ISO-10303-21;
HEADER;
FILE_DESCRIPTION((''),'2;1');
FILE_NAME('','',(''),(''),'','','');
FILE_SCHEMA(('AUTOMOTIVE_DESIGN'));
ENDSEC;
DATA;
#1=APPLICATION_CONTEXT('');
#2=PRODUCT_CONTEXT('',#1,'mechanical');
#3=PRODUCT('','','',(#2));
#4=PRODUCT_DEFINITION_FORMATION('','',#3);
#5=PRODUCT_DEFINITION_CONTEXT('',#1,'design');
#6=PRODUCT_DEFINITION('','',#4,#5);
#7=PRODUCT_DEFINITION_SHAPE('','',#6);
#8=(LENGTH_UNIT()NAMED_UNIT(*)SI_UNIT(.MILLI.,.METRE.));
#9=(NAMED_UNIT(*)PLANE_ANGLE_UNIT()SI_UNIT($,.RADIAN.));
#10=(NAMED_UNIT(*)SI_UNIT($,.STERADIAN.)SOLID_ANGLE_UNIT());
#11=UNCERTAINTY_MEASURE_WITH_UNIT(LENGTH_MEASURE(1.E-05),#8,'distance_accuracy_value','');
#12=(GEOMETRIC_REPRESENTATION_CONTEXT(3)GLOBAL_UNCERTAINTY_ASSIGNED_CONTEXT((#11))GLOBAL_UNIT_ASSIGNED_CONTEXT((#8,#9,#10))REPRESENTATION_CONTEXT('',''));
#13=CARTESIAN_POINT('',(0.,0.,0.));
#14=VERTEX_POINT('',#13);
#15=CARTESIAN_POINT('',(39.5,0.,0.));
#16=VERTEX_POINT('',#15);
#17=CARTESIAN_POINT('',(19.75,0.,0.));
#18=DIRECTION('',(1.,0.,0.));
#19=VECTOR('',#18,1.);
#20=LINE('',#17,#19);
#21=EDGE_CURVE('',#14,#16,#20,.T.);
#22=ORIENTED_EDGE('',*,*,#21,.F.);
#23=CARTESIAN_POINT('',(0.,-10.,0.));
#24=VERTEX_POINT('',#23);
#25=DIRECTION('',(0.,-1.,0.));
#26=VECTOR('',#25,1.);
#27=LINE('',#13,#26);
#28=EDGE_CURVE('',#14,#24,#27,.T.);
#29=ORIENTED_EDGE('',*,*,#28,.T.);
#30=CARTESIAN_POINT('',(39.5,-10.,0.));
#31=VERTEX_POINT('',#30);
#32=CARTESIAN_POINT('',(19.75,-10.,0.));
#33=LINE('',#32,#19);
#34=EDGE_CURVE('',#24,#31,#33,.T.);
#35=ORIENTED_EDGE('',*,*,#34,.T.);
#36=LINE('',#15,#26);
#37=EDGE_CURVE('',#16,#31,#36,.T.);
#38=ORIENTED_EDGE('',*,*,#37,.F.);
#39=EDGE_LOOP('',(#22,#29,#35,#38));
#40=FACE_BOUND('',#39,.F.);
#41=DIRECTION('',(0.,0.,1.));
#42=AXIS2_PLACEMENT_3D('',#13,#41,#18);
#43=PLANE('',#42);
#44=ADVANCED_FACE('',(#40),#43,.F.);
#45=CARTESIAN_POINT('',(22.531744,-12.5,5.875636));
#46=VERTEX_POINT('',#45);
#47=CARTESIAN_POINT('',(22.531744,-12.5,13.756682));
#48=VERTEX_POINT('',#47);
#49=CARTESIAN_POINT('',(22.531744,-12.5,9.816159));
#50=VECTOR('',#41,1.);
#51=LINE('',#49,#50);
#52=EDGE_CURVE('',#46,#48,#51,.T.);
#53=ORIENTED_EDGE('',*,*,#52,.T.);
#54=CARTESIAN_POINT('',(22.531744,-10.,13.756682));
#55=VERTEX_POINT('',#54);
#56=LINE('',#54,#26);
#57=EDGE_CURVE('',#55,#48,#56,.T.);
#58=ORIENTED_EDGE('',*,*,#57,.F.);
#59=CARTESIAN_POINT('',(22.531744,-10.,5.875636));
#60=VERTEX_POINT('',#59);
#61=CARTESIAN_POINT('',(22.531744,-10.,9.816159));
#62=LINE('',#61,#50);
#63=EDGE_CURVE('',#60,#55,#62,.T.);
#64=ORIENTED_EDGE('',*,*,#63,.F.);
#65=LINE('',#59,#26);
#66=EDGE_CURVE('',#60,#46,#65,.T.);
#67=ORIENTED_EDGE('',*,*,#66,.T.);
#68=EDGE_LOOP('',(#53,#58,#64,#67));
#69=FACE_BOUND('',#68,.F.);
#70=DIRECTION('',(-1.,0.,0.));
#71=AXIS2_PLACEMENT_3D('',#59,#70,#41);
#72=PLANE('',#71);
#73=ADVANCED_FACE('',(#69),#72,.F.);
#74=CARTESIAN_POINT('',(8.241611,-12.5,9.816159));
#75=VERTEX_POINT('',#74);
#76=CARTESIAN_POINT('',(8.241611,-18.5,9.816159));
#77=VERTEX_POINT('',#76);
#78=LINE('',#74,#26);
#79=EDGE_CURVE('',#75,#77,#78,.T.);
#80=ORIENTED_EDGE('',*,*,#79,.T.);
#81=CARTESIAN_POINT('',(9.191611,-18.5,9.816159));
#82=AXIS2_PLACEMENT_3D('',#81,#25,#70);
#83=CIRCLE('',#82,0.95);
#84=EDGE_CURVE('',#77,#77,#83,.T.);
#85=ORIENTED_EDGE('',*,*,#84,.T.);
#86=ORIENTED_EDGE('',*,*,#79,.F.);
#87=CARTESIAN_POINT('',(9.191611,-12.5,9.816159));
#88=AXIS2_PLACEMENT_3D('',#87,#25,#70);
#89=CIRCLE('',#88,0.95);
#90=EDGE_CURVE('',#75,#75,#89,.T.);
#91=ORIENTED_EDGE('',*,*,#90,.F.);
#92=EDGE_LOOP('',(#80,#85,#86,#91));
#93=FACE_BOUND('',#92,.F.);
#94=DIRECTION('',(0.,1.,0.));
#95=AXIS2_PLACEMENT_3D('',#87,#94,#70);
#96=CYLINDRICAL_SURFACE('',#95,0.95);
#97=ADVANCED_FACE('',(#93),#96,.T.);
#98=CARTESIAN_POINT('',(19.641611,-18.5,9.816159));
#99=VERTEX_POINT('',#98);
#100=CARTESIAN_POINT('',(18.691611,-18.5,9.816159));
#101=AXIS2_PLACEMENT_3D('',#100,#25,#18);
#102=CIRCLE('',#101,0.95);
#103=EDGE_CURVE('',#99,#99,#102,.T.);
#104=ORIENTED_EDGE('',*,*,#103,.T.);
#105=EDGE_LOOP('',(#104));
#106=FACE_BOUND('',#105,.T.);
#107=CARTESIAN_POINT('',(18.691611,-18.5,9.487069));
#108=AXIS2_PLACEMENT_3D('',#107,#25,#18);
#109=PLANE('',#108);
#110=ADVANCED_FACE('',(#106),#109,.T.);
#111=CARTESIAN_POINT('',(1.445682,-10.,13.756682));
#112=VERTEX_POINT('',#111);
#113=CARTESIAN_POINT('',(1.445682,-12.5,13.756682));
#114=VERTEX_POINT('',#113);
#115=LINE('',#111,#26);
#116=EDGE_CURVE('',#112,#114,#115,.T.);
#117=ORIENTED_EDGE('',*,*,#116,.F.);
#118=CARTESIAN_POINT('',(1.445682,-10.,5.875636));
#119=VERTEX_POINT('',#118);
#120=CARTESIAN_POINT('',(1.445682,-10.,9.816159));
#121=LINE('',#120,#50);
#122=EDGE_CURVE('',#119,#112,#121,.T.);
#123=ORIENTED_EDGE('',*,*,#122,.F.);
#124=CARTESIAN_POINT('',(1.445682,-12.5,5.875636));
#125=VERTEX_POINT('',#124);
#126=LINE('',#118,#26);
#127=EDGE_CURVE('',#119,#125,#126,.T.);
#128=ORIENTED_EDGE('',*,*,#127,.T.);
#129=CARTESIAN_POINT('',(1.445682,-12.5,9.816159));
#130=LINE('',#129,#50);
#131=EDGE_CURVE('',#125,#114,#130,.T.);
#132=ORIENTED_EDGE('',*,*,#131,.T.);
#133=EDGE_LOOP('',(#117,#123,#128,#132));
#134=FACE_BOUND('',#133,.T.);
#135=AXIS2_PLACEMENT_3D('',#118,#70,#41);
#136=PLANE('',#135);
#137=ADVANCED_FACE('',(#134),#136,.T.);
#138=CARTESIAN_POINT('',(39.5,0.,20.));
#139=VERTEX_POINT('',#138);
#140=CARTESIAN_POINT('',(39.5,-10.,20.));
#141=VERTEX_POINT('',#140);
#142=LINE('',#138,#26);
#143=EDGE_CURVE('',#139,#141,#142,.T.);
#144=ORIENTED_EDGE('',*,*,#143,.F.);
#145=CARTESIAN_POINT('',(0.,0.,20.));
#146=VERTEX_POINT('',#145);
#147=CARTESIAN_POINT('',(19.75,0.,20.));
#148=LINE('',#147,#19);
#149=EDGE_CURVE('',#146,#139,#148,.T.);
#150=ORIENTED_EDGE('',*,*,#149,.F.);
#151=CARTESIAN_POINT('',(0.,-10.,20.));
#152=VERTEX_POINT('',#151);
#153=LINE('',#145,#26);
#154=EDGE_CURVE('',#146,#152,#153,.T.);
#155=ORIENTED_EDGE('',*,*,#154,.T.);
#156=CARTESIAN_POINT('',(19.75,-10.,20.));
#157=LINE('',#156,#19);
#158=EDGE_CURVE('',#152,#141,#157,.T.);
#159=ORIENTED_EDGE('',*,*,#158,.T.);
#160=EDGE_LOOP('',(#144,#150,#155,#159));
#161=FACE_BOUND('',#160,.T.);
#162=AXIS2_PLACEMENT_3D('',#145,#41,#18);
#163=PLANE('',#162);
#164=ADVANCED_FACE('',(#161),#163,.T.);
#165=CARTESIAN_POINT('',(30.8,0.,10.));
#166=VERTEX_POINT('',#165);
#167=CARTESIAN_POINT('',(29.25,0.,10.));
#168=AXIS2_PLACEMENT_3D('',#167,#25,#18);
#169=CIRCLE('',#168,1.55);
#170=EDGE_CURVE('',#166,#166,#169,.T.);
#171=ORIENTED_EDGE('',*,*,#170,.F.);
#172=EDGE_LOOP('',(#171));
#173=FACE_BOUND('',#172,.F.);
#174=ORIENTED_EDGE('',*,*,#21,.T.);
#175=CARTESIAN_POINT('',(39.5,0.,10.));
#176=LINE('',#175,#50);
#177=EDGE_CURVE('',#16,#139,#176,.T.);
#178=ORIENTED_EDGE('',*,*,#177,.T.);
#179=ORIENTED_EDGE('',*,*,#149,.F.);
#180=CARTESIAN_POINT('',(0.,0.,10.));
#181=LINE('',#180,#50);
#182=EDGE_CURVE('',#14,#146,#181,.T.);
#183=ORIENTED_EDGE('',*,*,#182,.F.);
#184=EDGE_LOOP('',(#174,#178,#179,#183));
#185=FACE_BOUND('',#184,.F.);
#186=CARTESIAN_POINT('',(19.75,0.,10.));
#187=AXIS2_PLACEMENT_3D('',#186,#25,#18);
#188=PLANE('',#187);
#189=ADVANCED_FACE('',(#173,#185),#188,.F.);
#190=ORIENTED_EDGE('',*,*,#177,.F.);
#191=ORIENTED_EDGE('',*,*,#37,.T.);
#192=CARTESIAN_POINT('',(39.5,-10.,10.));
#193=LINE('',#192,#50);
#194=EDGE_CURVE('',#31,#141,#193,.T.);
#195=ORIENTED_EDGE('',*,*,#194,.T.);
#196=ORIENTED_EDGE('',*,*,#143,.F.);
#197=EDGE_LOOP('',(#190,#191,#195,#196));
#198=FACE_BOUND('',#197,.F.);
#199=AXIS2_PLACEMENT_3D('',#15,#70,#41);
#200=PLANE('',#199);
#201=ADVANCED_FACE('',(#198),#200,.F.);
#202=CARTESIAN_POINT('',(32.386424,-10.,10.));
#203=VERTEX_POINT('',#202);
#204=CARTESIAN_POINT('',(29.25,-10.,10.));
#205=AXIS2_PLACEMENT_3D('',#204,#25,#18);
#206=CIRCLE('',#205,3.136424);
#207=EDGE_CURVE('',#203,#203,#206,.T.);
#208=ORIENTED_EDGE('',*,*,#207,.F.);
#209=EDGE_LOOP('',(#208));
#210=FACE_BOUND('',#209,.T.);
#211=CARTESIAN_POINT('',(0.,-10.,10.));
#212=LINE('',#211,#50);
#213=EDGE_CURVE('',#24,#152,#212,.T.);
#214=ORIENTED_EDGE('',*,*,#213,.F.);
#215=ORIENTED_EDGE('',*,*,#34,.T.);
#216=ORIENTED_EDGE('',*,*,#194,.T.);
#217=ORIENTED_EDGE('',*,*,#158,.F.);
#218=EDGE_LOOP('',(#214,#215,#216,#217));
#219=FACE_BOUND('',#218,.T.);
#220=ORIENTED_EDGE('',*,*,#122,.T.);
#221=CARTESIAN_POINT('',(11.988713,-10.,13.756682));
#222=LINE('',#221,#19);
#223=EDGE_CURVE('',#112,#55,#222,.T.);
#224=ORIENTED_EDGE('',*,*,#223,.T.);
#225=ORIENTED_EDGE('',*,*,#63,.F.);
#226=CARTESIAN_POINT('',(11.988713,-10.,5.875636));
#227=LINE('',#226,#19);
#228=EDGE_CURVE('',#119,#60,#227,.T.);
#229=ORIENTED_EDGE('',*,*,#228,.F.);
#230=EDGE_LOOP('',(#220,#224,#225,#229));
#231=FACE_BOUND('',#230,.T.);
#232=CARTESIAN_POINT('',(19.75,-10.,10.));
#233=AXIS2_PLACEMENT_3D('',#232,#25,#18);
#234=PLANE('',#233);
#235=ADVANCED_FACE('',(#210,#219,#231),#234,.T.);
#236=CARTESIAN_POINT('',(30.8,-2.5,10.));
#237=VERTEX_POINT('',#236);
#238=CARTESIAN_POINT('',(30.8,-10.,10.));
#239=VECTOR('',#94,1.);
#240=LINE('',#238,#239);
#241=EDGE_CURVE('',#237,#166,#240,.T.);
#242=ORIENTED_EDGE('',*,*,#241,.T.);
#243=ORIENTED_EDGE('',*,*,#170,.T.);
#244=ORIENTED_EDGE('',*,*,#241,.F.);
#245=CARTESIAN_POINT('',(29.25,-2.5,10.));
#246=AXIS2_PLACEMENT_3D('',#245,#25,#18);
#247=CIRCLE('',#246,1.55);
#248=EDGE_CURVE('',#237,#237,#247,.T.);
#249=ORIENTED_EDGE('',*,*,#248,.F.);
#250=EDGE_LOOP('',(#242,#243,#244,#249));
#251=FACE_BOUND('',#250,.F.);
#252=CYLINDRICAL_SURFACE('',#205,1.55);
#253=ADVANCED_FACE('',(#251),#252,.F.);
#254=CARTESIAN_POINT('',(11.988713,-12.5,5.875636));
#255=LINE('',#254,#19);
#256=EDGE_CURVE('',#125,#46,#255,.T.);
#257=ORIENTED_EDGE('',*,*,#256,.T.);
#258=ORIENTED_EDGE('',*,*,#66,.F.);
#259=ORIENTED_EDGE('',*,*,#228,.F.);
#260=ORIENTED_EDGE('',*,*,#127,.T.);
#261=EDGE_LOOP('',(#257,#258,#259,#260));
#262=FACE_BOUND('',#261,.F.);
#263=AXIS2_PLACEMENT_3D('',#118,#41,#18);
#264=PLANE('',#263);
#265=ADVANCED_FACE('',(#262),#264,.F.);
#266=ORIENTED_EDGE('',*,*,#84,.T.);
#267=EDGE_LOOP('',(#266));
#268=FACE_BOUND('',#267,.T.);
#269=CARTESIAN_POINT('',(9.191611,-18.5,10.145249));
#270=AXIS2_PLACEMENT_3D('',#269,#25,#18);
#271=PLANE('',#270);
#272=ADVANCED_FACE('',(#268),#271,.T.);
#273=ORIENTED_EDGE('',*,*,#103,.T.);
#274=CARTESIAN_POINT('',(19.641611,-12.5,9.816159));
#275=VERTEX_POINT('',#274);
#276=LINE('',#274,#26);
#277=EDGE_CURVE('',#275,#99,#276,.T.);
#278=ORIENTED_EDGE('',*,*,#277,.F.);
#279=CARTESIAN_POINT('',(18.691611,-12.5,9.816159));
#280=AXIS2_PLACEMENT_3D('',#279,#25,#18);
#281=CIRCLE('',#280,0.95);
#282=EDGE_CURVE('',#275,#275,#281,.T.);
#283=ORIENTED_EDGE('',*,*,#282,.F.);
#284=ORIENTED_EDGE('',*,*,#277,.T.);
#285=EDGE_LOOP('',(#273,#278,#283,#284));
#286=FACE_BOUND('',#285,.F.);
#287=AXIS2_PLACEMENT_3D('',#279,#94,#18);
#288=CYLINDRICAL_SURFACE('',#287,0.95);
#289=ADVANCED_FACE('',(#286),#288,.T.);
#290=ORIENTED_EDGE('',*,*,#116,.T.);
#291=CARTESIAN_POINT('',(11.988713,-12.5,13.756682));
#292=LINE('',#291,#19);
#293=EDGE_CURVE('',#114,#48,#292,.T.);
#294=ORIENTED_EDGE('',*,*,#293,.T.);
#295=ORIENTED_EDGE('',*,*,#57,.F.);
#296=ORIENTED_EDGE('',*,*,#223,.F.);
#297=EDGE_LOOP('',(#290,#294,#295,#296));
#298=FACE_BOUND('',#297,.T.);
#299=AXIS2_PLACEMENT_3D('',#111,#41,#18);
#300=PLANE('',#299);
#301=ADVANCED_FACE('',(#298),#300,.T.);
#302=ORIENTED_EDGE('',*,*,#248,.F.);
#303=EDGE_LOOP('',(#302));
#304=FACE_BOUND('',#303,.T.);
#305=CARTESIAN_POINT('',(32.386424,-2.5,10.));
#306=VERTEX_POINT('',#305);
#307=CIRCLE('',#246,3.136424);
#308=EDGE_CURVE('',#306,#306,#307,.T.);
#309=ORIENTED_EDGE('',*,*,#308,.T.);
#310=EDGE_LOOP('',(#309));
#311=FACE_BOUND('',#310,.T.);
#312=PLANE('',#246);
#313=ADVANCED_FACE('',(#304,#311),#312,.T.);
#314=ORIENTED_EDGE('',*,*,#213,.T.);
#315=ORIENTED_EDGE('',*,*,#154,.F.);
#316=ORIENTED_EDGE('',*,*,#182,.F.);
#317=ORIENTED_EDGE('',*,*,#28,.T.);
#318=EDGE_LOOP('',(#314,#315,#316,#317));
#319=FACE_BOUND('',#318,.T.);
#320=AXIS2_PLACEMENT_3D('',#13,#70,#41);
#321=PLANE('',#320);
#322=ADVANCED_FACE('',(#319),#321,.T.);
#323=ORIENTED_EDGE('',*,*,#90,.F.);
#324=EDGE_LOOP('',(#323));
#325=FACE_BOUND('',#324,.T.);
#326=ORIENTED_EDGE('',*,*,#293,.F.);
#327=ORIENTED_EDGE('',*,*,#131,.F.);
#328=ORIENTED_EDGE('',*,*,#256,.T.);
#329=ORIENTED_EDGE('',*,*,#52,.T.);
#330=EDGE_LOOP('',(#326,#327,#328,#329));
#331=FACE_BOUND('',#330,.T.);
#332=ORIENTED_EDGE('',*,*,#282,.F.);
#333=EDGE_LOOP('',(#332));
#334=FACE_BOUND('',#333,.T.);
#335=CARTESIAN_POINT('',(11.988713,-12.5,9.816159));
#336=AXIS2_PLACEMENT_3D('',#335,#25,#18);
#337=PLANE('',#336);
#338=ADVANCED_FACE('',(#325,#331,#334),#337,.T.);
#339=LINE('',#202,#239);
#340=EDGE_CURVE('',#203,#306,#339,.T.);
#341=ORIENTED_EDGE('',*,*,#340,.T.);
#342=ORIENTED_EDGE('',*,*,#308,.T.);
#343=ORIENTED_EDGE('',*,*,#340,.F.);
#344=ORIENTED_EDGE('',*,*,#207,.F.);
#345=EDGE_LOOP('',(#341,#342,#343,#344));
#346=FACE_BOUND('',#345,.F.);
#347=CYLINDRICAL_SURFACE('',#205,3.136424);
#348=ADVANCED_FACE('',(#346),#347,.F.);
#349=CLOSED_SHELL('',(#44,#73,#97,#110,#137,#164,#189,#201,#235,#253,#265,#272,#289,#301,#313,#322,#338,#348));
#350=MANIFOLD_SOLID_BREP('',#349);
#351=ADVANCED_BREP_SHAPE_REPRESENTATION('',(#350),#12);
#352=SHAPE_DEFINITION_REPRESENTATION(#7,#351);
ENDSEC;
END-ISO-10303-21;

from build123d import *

# Parameters (mm, degrees)
F0_W     = 39.5
F0_H     = 20
F1_DEPTH = 10
F2_R     = 1.55
F3_DEPTH = 25
F4_W     = 21.086062
F4_H     = 7.881046
F5_DEPTH = 2.5
F7_DEPTH = 6
F8_R     = 3.136424
F9_DEPTH = 7.5


with BuildPart() as f1:
    # F0 (on Front) → F1 (new body)
    with BuildSketch(Plane.XZ):
        with Locations((19.75, 10)):
            Rectangle(F0_W, F0_H)
    extrude(amount=F1_DEPTH)

    # F2 (on face) → F3 (cut)
    with BuildSketch(Plane.XZ.offset(10)):
        with Locations((29.25, 10)):
            Circle(F2_R)
    extrude(amount=-F3_DEPTH, mode=Mode.SUBTRACT)

    # F4 (on face) → F5 (join)
    with BuildSketch(Plane.XZ.offset(10)):
        with Locations((11.988713, 9.816159)):
            Rectangle(F4_W, F4_H)
    extrude(amount=F5_DEPTH)

    # F6 (on face) → F7 (join)
    with BuildSketch(Plane.XZ.offset(12.5)):
        with BuildLine():
            Line((18.691611, 9.816159), (17.741611, 9.816159))
            ThreePointArc((17.741611, 9.816159), (18.691611, 8.866159), (19.641611, 9.816159))
            Line((19.641611, 9.816159), (18.691611, 9.816159))
        make_face()
        with BuildLine():
            ThreePointArc((19.641611, 9.816159), (18.691611, 10.766159), (17.741611, 9.816159))
            Line((17.741611, 9.816159), (18.691611, 9.816159))
            Line((18.691611, 9.816159), (19.641611, 9.816159))
        make_face()
        with BuildLine():
            ThreePointArc((10.141611, 9.816159), (9.191611, 10.766159), (8.241611, 9.816159))
            Line((8.241611, 9.816159), (9.191611, 9.816159))
            Line((9.191611, 9.816159), (10.141611, 9.816159))
        make_face()
        with BuildLine():
            Line((9.191611, 9.816159), (8.241611, 9.816159))
            ThreePointArc((8.241611, 9.816159), (9.191611, 8.866159), (10.141611, 9.816159))
            Line((10.141611, 9.816159), (9.191611, 9.816159))
        make_face()
    extrude(amount=F7_DEPTH)

    # F8 (on face) → F9 (cut)
    with BuildSketch(Plane.XZ.offset(10)):
        with Locations((29.25, 10)):
            Circle(F8_R)
    extrude(amount=-F9_DEPTH, mode=Mode.SUBTRACT)


solid = f1.part
